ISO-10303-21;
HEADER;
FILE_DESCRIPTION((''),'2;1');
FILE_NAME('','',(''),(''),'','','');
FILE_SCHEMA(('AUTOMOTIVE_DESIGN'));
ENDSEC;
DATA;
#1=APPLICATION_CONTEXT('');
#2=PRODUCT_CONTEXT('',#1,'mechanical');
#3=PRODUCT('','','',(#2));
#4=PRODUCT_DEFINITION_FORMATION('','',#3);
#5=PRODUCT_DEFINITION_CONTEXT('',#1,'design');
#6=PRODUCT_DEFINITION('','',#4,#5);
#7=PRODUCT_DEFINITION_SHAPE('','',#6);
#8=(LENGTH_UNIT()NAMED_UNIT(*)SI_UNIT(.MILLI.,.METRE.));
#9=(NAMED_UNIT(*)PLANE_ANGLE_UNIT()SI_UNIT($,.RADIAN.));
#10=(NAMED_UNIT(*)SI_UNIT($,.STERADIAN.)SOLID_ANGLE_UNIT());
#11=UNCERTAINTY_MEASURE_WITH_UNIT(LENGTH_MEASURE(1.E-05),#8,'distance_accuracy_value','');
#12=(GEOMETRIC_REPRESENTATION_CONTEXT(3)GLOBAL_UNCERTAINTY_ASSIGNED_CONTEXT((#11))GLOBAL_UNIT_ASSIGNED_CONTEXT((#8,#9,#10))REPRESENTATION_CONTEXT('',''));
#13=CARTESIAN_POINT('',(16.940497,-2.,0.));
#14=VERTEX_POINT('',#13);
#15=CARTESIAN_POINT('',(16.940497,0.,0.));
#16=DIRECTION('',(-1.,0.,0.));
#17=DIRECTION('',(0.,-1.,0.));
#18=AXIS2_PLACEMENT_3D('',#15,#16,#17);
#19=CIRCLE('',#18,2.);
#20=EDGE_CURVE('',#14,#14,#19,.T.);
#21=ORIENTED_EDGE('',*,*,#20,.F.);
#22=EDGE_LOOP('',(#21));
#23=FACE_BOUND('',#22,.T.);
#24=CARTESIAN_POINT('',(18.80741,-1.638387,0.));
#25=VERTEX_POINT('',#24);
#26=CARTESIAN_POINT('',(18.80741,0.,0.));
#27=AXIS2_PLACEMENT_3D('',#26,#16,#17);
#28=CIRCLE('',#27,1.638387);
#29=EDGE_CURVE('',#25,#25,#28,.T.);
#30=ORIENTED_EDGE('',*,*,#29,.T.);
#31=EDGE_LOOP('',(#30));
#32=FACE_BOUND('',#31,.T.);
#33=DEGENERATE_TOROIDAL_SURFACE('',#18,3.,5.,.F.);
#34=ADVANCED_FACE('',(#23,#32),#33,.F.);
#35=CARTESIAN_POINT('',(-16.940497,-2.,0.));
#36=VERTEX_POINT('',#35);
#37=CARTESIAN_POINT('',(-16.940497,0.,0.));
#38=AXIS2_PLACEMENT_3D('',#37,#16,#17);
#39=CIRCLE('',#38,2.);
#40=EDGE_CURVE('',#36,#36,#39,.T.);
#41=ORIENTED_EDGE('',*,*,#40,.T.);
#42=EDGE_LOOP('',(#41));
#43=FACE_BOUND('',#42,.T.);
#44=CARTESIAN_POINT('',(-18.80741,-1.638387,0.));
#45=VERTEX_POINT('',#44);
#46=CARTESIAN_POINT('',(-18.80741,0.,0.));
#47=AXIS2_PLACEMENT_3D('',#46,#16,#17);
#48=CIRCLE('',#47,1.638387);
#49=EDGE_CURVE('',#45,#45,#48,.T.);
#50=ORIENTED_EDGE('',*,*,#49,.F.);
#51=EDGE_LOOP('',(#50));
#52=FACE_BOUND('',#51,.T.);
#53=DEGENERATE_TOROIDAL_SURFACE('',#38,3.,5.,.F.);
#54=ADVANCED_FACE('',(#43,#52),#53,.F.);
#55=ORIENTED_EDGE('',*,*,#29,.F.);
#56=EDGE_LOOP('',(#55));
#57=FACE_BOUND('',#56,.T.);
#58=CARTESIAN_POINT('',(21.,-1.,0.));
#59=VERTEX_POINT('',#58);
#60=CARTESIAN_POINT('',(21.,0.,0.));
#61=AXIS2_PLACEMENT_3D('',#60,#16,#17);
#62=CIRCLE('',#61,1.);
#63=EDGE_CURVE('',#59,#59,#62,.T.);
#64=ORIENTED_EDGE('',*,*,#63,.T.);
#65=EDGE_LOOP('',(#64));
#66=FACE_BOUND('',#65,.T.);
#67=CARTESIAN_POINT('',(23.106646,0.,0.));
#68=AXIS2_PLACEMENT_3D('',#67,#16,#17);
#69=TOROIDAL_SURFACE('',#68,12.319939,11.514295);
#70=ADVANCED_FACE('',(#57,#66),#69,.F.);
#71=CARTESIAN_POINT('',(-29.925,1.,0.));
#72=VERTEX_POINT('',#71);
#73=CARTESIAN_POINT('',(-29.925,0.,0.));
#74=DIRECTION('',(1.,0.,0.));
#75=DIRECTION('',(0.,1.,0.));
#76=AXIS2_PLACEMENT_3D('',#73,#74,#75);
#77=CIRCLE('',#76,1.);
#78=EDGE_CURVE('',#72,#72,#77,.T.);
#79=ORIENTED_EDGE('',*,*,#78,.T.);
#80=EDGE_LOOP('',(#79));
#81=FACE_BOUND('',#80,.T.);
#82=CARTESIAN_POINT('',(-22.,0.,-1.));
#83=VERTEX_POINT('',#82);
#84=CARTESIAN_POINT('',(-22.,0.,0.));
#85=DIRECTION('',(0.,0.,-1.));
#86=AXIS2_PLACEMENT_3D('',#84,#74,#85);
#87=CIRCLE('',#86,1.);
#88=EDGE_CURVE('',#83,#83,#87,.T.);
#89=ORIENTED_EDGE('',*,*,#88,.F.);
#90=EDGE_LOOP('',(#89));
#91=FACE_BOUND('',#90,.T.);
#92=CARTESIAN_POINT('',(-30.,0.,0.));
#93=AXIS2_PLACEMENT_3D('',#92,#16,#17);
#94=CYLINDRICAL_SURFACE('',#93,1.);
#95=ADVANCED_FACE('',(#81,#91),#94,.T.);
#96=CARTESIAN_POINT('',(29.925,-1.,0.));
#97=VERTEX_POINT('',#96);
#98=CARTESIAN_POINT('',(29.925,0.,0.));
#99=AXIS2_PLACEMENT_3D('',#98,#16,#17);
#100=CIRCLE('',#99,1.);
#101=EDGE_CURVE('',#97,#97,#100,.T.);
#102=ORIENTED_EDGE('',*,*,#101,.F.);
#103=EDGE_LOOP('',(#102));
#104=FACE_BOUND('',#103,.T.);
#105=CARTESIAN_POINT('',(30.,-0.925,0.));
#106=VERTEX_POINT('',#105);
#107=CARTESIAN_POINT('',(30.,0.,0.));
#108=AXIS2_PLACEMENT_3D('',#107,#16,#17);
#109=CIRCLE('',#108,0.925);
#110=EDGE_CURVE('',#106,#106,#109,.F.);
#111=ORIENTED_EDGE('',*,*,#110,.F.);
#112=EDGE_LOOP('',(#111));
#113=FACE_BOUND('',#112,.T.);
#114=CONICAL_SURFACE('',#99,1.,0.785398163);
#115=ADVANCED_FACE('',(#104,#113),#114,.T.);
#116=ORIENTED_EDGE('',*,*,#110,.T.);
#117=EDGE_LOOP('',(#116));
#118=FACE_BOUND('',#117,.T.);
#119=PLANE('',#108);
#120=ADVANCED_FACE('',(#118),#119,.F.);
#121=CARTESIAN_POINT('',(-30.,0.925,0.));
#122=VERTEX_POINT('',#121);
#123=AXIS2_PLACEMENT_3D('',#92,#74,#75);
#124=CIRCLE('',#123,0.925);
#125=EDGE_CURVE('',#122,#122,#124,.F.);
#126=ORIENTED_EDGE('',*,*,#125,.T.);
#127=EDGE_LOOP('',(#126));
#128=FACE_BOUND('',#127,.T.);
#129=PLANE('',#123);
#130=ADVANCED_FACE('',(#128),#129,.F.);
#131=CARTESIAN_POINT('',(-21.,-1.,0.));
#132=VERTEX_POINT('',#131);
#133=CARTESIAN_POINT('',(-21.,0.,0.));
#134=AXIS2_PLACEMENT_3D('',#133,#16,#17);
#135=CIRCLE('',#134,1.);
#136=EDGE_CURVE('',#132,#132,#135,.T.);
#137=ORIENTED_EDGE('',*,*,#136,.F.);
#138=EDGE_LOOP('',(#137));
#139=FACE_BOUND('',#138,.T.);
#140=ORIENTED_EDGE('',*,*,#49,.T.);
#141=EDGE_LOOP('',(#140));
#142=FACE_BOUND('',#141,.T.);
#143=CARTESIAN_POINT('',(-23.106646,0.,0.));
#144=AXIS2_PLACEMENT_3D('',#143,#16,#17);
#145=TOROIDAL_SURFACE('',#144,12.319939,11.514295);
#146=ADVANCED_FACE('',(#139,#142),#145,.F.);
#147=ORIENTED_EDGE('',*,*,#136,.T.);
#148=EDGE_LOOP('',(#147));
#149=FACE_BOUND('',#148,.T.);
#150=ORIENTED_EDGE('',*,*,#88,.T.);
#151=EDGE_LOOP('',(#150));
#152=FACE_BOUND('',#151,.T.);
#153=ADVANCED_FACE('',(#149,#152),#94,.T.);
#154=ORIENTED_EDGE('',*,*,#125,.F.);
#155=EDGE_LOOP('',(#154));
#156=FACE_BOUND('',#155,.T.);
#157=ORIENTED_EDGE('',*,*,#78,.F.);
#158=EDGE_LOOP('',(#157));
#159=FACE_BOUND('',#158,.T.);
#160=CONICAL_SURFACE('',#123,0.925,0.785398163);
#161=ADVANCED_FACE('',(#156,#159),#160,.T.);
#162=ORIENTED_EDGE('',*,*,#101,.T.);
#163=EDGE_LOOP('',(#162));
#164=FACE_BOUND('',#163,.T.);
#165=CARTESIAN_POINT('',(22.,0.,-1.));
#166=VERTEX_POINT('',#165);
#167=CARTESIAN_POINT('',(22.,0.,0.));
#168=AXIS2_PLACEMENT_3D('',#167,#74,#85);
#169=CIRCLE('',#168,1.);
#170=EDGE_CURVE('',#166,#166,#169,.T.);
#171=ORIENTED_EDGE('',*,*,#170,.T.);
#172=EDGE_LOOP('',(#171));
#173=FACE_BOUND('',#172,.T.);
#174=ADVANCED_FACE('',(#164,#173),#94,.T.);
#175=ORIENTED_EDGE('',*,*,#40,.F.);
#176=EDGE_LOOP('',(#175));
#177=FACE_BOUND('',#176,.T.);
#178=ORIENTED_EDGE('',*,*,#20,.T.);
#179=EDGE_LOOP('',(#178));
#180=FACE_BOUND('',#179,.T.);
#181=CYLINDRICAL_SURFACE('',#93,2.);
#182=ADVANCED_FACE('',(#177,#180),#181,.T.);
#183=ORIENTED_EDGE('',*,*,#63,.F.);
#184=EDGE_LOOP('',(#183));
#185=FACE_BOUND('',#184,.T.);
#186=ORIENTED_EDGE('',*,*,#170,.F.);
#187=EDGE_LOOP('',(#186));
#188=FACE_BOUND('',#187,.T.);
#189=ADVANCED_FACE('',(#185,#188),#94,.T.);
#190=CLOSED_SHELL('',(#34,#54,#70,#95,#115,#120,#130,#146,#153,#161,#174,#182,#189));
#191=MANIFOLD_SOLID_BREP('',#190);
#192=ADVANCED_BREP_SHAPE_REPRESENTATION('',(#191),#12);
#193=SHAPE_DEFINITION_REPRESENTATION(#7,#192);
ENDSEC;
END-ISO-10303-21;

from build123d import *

# Parameters (mm, degrees)
CHAMFER1_SIZE = 0.075


with BuildPart() as part:
    # Sketch2 → Revolve1 (revolve)
    with BuildSketch(Plane.XY):
        with BuildLine():
            Line((-30, 0), (30, 0))
            Line((30, 0), (30, 1))
            Line((30, 1), (21, 1))
            ThreePointArc((21, 1), (19.887839476, 1.264702229), (18.807410064, 1.638387373))
            ThreePointArc((18.807410064, 1.638387373), (17.891303231, 1.908764451), (16.940497485, 2))
            Line((16.940497485, 2), (-16.940497485, 2))
            ThreePointArc((-16.940497485, 2), (-17.891303231, 1.908764451), (-18.807410064, 1.638387373))
            ThreePointArc((-18.807410064, 1.638387373), (-19.887839476, 1.264702229), (-21, 1))
            Line((-21, 1), (-30, 1))
            Line((-30, 1), (-30, 0))
        make_face()
    revolve(axis=Axis((-30, 0, 0), (1, 0, 0)))

    # Chamfer1
    chamfer1_edges = [part.edges().sort_by_distance(p)[0] for p in [
        (30, -1, 0),
        (-30, -1, 0),
    ]]
    chamfer(chamfer1_edges, length=CHAMFER1_SIZE)


solid = part.part
